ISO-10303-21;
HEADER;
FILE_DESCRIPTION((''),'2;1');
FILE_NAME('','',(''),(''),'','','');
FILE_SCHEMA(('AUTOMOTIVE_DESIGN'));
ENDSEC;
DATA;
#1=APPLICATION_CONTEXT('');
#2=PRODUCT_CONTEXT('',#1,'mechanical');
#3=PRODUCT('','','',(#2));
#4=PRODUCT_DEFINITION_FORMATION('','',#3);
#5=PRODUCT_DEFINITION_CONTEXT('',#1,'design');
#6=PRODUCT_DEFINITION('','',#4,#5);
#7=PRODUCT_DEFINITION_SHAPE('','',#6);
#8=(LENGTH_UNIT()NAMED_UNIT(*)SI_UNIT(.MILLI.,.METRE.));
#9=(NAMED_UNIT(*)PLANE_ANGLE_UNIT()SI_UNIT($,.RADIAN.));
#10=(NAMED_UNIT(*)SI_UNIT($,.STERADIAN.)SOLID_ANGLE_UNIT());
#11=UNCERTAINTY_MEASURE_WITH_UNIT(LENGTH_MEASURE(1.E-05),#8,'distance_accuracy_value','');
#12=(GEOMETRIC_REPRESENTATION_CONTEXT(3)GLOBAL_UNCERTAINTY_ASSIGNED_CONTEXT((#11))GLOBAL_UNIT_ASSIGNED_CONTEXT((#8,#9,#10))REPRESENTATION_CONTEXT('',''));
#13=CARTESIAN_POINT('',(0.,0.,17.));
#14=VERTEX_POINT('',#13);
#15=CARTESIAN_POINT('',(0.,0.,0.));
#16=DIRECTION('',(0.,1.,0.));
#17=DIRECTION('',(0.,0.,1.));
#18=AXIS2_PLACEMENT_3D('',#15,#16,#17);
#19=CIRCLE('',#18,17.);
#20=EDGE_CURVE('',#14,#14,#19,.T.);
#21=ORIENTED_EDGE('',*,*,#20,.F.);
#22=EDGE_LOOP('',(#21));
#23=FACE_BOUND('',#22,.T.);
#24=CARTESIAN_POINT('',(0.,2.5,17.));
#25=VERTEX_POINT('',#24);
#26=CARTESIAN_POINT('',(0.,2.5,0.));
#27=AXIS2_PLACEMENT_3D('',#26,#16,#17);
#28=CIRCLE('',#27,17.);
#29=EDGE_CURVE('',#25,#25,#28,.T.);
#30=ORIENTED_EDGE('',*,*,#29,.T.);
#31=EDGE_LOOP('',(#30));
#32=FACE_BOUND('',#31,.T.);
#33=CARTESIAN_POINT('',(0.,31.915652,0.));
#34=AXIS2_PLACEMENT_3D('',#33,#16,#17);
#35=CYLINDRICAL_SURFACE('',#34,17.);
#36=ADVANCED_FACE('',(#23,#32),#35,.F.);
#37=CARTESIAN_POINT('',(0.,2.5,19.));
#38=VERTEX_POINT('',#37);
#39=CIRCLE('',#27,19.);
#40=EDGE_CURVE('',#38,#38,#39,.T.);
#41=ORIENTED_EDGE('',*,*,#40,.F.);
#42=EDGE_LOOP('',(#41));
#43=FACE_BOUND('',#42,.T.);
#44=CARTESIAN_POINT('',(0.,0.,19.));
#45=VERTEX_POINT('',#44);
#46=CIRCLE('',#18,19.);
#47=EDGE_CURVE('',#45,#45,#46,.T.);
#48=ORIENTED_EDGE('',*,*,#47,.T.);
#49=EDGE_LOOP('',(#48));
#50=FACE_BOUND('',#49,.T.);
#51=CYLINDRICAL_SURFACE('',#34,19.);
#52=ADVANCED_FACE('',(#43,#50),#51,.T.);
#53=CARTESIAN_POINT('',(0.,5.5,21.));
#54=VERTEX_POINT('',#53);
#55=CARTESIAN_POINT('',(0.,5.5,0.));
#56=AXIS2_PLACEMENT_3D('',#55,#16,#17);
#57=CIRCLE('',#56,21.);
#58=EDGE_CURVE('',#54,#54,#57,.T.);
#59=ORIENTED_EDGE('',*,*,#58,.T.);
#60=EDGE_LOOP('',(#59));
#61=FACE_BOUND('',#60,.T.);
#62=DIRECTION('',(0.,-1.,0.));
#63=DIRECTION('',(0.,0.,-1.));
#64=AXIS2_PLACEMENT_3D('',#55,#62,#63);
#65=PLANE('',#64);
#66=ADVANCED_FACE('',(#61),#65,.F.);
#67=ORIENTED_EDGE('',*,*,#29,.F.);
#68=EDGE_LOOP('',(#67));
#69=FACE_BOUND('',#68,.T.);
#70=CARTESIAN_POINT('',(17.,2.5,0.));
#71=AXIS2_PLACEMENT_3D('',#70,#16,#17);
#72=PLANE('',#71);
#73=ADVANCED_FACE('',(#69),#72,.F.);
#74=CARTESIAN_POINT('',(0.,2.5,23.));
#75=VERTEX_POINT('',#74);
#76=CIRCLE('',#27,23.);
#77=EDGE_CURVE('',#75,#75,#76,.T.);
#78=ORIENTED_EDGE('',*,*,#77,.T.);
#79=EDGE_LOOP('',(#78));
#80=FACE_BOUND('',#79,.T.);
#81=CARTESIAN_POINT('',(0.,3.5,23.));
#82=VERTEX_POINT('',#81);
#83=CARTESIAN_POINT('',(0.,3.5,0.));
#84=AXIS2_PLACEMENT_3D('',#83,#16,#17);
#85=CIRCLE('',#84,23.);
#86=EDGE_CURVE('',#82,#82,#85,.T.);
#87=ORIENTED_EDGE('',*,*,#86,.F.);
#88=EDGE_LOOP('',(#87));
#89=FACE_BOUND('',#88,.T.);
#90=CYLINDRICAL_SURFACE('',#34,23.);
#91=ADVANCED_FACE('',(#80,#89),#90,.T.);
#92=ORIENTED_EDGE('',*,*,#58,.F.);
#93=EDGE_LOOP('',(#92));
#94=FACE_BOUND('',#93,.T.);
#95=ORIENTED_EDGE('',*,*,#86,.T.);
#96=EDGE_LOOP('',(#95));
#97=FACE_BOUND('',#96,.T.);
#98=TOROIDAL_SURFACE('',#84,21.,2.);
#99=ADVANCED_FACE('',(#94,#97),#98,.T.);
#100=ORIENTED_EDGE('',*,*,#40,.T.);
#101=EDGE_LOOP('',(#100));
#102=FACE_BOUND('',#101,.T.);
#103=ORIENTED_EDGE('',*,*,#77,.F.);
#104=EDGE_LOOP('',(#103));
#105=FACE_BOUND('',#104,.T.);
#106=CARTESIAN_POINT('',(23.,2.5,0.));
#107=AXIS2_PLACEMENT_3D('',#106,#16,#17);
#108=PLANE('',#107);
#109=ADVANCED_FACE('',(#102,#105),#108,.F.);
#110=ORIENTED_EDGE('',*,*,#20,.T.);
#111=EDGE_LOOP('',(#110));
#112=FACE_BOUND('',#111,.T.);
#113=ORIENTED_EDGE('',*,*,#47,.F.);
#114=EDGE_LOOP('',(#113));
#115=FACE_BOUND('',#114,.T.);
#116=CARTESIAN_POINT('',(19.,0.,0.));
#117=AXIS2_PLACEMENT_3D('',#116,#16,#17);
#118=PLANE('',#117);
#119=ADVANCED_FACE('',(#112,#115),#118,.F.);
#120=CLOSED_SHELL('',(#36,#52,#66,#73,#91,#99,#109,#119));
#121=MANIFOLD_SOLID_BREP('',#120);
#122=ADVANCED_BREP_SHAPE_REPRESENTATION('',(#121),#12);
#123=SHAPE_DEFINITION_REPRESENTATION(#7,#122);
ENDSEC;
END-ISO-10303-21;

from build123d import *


with BuildPart() as part:
    # Esquisse2 → Révolution1 (revolve)
    with BuildSketch(Plane.XY, mode=Mode.PRIVATE) as r_volution1_sk:
        with BuildLine():
            Line((0, 5.5), (21, 5.5))
            ThreePointArc((21, 5.5), (22.414213562, 4.914213562), (23, 3.5))
            Line((23, 3.5), (23, 2.5))
            Line((23, 2.5), (19, 2.5))
            Line((19, 2.5), (19, 0))
            Line((19, 0), (17, 0))
            Line((17, 0), (17, 2.5))
            Line((17, 2.5), (0, 2.5))
            Line((0, 2.5), (0, 5.5))
        make_face()
    revolve(r_volution1_sk.sketch.rotate(Axis((0, 31.915652174, 0), (0, -1, 0)), 90), axis=Axis((0, 31.915652174, 0), (0, -1, 0)))


solid = part.part
